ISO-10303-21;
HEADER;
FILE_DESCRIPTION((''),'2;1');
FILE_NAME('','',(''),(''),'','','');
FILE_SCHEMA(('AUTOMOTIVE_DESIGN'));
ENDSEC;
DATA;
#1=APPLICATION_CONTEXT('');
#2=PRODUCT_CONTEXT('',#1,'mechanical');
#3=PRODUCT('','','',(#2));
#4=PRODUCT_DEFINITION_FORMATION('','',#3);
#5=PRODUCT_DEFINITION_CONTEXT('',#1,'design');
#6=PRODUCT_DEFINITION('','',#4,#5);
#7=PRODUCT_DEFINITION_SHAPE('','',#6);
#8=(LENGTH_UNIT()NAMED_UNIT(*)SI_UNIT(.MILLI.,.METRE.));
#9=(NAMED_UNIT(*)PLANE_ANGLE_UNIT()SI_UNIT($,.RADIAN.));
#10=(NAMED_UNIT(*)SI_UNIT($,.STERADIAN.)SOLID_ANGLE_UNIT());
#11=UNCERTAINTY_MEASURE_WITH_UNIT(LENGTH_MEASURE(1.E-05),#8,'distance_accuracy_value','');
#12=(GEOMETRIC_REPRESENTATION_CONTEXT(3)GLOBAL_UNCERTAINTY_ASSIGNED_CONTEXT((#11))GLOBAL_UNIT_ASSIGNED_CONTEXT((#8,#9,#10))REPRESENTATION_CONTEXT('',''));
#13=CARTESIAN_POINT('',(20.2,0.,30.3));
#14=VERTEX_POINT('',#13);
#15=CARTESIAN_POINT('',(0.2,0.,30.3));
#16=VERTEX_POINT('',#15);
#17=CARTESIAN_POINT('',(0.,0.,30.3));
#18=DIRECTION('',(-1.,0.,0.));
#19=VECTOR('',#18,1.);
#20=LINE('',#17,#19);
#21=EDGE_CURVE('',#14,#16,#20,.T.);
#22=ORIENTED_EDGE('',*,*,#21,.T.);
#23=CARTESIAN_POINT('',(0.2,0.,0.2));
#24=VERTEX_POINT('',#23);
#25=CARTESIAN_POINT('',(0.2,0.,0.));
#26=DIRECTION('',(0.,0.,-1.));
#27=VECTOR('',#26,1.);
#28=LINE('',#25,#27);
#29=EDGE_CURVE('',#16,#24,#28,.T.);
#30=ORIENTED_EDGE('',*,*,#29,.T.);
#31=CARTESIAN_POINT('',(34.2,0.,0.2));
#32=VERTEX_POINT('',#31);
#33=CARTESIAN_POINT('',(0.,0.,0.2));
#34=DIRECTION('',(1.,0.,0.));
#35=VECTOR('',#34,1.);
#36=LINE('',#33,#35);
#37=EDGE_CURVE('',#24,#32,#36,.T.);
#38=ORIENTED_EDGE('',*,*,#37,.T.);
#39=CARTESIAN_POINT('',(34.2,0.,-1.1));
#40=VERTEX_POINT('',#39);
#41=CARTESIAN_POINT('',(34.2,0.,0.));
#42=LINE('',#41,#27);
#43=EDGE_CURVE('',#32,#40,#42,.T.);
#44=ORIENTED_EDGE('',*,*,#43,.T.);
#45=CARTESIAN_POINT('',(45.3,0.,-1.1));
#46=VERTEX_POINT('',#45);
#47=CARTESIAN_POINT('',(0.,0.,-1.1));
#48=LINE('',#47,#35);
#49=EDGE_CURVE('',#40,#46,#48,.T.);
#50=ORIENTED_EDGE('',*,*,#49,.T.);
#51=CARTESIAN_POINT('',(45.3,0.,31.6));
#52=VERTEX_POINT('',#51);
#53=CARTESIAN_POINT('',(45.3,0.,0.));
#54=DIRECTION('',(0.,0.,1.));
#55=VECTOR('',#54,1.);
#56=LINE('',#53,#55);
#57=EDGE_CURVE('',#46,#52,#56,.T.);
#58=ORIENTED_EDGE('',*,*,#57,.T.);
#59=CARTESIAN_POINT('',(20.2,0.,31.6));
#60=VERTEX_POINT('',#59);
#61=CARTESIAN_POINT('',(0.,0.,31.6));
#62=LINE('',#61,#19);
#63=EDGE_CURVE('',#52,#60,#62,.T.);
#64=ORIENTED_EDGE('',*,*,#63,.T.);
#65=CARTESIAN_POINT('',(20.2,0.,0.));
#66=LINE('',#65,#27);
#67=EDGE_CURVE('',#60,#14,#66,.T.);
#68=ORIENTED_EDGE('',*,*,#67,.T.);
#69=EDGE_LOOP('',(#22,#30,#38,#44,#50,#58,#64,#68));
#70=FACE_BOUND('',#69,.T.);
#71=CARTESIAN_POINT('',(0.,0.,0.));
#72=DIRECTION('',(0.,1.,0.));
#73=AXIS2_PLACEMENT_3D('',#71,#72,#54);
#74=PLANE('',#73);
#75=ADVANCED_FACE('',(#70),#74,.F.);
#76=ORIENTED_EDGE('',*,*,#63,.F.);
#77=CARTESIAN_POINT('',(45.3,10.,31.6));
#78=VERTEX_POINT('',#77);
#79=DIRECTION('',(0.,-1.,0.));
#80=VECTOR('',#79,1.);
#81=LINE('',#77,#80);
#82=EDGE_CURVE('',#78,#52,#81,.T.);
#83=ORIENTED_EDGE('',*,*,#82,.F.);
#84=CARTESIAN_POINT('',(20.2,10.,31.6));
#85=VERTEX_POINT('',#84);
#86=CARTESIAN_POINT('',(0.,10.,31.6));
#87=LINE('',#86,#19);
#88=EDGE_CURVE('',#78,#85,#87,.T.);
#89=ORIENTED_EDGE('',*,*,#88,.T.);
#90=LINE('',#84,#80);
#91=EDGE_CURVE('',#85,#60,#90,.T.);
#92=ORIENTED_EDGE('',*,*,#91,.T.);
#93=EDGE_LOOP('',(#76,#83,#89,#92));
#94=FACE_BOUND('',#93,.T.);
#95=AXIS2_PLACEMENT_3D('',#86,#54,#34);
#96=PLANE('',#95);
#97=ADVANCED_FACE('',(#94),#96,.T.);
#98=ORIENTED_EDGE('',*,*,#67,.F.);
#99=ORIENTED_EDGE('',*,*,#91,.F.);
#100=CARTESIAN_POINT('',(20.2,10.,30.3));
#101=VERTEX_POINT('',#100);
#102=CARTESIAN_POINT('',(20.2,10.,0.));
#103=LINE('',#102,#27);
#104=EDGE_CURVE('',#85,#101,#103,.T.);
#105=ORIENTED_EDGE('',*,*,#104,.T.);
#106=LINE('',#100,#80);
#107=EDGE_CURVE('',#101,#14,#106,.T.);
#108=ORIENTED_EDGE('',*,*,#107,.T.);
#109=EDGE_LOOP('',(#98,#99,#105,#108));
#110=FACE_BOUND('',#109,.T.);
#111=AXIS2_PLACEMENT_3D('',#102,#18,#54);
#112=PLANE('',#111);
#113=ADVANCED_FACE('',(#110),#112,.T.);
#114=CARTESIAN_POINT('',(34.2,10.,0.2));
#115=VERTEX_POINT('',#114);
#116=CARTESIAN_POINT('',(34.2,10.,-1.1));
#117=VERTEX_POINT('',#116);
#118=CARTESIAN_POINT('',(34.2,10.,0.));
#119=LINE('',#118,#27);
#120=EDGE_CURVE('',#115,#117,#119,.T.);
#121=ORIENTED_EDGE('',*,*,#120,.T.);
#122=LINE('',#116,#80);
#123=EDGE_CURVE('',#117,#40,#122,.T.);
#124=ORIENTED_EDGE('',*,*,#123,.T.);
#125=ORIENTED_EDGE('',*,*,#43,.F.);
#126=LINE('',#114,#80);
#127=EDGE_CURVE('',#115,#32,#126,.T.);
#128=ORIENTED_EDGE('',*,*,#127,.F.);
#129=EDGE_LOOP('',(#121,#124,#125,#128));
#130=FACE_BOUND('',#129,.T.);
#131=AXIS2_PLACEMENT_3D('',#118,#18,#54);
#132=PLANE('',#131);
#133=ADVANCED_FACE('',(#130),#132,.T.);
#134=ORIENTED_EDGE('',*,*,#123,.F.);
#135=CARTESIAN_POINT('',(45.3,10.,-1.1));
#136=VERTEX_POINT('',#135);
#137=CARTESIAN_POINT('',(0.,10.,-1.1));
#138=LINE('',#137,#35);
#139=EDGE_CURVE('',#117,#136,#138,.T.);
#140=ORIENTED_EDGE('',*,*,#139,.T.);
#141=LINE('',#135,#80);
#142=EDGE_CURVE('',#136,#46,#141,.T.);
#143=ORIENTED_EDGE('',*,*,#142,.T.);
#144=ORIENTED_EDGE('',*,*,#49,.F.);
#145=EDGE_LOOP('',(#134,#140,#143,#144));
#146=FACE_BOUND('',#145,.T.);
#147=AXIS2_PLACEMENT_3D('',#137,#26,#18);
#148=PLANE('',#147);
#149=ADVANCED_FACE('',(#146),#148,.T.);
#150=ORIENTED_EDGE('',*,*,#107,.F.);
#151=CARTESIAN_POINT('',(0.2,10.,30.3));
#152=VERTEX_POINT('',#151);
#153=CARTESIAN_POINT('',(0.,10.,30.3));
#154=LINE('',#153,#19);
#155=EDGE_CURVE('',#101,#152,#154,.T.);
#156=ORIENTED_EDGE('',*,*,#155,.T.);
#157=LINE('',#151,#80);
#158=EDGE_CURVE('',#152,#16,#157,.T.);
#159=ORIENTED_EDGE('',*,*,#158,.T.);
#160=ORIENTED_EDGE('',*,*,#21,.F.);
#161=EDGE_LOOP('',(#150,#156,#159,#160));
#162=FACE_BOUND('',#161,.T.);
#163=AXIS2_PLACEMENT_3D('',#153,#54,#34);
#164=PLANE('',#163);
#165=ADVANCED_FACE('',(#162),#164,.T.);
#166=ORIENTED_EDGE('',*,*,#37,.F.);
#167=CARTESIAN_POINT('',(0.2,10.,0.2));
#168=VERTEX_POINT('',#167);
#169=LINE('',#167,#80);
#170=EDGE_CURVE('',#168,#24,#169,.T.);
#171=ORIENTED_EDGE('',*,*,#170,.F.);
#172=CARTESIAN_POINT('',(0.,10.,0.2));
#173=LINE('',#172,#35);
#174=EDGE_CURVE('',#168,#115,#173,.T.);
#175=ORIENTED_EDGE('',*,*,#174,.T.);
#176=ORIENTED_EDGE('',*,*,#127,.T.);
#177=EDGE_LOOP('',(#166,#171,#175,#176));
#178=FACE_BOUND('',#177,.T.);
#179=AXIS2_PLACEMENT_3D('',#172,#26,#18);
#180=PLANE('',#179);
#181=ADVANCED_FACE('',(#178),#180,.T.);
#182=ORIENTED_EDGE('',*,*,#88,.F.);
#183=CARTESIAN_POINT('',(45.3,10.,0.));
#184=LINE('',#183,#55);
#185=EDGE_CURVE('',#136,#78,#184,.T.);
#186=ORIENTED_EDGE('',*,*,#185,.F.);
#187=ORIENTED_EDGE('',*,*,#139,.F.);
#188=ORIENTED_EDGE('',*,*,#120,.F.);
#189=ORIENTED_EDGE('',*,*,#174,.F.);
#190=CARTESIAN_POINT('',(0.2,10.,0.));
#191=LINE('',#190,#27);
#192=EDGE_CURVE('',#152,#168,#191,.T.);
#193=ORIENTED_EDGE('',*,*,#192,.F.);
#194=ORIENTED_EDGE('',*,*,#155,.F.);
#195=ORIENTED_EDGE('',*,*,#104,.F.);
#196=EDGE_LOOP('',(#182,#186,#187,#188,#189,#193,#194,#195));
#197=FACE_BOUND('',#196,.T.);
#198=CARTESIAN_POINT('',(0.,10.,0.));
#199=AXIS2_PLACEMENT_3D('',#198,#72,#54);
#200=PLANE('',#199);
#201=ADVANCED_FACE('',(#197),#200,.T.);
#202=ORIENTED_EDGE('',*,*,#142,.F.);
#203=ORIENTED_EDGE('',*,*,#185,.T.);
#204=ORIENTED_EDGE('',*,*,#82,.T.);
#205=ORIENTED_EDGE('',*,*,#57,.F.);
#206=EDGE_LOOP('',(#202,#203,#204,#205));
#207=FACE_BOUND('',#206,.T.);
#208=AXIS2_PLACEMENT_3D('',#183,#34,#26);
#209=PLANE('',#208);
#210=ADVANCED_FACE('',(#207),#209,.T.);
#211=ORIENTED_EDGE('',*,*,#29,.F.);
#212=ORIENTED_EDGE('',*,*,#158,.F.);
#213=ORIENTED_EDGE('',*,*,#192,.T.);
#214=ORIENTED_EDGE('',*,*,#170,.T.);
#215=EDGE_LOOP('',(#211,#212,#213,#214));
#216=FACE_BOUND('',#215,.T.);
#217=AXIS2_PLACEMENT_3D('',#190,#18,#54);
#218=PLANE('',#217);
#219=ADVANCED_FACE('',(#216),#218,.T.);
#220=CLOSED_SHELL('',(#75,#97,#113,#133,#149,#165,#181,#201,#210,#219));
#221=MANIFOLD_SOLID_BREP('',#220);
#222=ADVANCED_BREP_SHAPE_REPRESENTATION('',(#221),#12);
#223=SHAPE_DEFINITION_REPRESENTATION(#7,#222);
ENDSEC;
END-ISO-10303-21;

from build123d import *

# Parameters (mm, degrees)
EXTRUDE_1_DEPTH = 10


with BuildPart() as part:
    # 草图1 → 凸台-拉伸1 (new body)
    with BuildSketch(Plane(origin=(0, 0, 0), x_dir=(1, 0, 0), z_dir=(0, 1, 0))):
        Polygon((0.2, -0.2), (34.2, -0.2), (34.2, 1.1), (45.3, 1.1), (45.3, -31.6), (20.2, -31.6), (20.2, -30.3), (0.2, -30.3), align=None)
    extrude(amount=EXTRUDE_1_DEPTH)


solid = part.part
